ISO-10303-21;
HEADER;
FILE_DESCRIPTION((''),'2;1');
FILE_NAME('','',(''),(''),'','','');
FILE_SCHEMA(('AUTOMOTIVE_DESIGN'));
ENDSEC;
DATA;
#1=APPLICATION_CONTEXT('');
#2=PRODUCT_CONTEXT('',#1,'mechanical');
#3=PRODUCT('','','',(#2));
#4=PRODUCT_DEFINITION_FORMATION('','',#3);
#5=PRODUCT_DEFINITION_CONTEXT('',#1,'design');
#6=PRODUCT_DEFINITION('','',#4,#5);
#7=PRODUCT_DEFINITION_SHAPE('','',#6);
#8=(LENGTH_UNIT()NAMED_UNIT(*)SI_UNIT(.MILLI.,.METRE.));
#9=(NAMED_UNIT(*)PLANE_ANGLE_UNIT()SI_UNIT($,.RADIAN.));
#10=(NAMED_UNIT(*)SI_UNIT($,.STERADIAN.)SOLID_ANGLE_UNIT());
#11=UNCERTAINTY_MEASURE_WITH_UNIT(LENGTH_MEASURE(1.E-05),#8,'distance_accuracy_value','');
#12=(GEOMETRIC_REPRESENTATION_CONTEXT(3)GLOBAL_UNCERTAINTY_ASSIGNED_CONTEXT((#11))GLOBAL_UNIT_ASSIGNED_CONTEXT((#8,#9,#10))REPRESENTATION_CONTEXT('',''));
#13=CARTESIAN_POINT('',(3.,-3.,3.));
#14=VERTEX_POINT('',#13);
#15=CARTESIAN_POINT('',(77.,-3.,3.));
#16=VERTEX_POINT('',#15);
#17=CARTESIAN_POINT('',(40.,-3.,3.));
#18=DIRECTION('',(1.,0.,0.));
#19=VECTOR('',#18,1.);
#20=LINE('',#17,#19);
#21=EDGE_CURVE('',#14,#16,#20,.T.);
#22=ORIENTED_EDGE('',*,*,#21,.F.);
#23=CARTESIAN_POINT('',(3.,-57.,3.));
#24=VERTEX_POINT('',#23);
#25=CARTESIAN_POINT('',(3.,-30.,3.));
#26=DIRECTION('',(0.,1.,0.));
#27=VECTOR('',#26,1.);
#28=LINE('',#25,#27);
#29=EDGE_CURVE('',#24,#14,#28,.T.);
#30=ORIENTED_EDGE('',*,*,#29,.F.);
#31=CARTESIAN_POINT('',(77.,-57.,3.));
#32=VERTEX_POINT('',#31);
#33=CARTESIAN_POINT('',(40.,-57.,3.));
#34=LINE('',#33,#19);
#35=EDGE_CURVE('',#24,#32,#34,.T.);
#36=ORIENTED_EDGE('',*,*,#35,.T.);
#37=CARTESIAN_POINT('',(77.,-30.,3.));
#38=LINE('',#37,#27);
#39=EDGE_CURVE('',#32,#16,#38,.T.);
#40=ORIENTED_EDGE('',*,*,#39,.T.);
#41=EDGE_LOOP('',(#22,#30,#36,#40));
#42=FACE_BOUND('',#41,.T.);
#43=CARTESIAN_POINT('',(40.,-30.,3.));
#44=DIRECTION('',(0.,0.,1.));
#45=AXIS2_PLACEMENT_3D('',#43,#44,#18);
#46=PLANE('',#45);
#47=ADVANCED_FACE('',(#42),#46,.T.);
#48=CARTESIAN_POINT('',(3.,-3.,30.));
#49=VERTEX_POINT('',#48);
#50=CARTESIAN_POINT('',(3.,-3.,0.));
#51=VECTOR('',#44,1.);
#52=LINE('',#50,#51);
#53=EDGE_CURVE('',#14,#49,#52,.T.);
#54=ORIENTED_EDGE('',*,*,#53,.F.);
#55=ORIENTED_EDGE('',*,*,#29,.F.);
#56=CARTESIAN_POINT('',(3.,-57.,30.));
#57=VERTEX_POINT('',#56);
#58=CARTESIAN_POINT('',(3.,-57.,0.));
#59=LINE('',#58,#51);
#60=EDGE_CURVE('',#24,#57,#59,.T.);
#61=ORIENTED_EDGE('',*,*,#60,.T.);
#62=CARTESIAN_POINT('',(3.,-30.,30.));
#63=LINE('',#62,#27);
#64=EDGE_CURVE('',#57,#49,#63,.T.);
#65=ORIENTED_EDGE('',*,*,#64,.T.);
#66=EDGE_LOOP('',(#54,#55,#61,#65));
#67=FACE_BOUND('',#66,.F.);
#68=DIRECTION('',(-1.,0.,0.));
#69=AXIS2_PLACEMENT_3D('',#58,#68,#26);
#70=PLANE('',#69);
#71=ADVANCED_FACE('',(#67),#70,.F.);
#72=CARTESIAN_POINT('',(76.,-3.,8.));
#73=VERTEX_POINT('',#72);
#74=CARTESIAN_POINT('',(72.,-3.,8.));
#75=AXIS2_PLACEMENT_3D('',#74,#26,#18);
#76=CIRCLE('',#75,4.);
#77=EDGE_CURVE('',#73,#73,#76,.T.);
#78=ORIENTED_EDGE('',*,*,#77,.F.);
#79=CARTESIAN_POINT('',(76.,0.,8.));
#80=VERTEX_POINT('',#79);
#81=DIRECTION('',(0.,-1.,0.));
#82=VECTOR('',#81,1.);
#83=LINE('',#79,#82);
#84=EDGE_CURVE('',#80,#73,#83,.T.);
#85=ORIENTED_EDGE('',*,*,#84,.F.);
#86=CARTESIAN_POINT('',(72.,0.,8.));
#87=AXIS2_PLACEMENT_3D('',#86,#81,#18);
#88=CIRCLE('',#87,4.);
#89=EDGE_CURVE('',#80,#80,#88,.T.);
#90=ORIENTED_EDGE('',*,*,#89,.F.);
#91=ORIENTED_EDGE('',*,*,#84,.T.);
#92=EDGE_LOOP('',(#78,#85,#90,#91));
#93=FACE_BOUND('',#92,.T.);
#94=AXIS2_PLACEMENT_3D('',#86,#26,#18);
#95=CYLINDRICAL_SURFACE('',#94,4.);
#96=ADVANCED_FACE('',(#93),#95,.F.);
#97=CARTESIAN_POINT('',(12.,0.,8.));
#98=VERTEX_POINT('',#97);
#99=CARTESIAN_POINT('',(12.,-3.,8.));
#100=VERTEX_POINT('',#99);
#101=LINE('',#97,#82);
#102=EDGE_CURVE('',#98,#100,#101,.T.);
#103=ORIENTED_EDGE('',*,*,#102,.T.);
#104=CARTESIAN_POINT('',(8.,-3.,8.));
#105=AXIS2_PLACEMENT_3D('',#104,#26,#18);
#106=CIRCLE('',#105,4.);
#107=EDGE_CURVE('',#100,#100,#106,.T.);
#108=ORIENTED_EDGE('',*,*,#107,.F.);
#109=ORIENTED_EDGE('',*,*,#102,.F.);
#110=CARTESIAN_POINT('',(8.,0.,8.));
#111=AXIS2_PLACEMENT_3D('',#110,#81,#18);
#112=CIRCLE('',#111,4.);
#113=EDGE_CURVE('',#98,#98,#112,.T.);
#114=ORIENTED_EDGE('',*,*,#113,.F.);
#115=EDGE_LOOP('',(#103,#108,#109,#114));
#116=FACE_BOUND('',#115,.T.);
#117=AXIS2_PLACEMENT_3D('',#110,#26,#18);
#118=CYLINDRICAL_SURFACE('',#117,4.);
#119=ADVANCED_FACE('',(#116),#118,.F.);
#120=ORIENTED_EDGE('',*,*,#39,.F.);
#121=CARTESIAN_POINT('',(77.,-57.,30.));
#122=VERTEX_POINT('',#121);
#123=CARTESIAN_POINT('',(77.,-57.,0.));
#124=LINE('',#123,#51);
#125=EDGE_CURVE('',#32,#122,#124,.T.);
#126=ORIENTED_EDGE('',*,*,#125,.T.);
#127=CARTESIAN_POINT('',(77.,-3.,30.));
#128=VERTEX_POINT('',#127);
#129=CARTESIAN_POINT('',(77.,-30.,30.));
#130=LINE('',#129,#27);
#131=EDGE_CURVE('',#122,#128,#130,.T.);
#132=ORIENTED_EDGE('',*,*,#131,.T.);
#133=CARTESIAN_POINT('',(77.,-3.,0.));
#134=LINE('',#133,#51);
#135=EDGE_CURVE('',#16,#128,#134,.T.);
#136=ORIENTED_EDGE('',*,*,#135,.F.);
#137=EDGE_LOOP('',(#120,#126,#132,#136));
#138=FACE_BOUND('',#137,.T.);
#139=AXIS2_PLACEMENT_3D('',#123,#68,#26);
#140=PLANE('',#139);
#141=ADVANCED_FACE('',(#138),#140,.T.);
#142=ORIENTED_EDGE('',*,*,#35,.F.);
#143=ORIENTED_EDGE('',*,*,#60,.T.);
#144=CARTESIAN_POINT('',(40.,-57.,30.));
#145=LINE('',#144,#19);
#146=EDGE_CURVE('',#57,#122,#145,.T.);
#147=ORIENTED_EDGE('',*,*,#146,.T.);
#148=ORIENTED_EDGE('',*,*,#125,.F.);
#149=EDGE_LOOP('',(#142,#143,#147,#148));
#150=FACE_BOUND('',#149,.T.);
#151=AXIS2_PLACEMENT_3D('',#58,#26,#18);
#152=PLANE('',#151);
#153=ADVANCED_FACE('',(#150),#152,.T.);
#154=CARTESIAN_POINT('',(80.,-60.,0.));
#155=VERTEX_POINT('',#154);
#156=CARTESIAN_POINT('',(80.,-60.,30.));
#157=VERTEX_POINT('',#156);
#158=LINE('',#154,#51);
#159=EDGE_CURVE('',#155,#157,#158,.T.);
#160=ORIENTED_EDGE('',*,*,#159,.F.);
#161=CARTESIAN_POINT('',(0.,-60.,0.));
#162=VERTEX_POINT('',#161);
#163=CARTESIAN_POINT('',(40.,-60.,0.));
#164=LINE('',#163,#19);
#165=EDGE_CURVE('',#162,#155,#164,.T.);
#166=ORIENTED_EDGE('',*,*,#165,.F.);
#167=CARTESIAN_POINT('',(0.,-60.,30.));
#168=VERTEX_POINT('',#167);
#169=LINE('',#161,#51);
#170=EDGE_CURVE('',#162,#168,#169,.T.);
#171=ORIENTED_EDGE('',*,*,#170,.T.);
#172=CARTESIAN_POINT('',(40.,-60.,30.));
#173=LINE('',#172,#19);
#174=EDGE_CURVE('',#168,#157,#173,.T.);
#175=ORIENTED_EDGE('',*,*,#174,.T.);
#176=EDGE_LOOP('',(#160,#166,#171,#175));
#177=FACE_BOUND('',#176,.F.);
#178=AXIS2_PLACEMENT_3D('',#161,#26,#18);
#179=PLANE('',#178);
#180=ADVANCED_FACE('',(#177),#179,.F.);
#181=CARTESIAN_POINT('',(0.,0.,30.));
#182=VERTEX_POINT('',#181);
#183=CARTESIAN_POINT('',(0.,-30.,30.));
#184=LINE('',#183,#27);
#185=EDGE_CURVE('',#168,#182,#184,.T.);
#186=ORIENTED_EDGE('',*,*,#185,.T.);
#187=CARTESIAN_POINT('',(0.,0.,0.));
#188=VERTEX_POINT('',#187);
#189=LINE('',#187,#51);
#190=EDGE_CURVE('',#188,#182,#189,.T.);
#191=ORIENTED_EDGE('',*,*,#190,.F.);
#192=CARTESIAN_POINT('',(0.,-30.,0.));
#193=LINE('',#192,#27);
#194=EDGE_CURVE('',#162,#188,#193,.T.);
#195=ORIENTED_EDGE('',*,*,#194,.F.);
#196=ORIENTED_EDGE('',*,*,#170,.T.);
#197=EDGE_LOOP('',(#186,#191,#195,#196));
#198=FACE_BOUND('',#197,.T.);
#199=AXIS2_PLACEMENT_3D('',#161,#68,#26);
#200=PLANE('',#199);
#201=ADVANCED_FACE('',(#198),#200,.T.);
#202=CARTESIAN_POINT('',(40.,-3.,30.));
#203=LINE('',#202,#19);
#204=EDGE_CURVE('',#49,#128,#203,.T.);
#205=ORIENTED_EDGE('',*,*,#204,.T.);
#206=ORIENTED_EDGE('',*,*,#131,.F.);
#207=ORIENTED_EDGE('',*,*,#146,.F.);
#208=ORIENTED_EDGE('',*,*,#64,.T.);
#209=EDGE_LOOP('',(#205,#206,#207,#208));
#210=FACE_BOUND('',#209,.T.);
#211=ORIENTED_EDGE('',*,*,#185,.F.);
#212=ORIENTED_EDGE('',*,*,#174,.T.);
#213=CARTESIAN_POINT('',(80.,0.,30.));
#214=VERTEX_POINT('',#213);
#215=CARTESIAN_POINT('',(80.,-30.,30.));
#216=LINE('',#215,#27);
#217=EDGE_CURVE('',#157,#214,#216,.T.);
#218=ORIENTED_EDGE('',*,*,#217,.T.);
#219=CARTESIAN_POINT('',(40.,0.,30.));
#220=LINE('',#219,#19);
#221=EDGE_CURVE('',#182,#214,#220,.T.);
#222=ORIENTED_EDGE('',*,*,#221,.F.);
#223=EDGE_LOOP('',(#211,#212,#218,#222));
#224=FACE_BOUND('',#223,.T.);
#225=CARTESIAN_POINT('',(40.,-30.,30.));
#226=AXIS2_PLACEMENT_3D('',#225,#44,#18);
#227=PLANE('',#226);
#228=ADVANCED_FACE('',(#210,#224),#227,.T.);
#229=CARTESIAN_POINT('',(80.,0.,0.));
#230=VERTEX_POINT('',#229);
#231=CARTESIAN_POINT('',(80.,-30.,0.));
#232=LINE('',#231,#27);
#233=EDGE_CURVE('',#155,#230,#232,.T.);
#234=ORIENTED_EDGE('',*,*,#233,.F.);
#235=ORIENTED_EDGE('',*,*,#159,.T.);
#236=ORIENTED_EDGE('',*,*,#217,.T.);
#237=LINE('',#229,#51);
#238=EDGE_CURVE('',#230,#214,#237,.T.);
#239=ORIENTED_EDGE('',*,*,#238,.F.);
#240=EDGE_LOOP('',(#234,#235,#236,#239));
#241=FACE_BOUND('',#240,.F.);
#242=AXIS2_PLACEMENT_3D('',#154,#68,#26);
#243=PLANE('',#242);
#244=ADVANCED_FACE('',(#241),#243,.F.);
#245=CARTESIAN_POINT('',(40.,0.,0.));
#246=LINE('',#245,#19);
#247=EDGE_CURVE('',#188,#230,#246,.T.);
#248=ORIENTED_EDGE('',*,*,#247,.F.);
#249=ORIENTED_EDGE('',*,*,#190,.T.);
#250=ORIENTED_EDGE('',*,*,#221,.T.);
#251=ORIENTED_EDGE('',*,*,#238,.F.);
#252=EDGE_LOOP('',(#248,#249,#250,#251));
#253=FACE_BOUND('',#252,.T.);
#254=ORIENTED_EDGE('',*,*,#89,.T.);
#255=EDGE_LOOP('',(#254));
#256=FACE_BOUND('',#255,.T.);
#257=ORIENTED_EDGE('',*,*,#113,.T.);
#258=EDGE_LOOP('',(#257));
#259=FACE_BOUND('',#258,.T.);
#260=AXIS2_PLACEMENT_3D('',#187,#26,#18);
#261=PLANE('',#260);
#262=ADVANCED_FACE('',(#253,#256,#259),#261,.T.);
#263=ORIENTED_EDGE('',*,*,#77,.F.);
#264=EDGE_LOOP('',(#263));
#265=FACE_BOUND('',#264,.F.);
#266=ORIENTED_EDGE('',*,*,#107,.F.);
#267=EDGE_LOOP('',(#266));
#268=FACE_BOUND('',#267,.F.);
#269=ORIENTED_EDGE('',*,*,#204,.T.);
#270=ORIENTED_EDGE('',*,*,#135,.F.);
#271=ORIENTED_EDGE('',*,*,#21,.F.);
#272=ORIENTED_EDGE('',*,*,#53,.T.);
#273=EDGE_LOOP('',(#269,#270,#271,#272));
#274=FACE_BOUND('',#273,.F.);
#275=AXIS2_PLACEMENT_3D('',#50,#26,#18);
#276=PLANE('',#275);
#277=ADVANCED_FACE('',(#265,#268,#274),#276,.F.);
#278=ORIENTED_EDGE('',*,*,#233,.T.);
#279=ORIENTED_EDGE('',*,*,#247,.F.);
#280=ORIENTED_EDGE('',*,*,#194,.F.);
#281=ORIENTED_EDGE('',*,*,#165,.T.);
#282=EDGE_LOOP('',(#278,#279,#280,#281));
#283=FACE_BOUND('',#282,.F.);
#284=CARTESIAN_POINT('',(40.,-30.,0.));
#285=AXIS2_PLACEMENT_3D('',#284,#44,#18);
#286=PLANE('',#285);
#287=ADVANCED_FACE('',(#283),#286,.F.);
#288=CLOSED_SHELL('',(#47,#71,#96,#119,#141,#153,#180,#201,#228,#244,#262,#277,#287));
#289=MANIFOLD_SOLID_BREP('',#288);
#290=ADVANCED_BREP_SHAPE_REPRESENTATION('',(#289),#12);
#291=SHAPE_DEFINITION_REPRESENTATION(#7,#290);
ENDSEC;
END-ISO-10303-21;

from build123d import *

# Parameters (mm, degrees)
F0_W     = 74
F0_H     = 54
F1_DEPTH = 3
F0_W_2   = 80
F0_H_2   = 60
F2_DEPTH = 30
F3_R     = 4
F4_DEPTH = 5


with BuildPart() as f1:
    # F0 (on Top) → F1 (new body)
    with BuildSketch(Plane.XY):
        with Locations((40, -30)):
            Rectangle(F0_W, F0_H)
    extrude(amount=F1_DEPTH)

    # F0 (on Top) → F2 (join)
    with BuildSketch(Plane.XY):
        with Locations((40, -30)):
            Rectangle(F0_W_2, F0_H_2)
        with Locations((40, -30)):
            Rectangle(F0_W, F0_H, mode=Mode.SUBTRACT)
    extrude(amount=F2_DEPTH)

    # F3 (on Front) → F4 (cut)
    with BuildSketch(Plane.XZ):
        with Locations((72, 8)):
            Circle(F3_R)
        with Locations((8, 8)):
            Circle(F3_R)
    extrude(amount=F4_DEPTH, mode=Mode.SUBTRACT)


solid = f1.part
